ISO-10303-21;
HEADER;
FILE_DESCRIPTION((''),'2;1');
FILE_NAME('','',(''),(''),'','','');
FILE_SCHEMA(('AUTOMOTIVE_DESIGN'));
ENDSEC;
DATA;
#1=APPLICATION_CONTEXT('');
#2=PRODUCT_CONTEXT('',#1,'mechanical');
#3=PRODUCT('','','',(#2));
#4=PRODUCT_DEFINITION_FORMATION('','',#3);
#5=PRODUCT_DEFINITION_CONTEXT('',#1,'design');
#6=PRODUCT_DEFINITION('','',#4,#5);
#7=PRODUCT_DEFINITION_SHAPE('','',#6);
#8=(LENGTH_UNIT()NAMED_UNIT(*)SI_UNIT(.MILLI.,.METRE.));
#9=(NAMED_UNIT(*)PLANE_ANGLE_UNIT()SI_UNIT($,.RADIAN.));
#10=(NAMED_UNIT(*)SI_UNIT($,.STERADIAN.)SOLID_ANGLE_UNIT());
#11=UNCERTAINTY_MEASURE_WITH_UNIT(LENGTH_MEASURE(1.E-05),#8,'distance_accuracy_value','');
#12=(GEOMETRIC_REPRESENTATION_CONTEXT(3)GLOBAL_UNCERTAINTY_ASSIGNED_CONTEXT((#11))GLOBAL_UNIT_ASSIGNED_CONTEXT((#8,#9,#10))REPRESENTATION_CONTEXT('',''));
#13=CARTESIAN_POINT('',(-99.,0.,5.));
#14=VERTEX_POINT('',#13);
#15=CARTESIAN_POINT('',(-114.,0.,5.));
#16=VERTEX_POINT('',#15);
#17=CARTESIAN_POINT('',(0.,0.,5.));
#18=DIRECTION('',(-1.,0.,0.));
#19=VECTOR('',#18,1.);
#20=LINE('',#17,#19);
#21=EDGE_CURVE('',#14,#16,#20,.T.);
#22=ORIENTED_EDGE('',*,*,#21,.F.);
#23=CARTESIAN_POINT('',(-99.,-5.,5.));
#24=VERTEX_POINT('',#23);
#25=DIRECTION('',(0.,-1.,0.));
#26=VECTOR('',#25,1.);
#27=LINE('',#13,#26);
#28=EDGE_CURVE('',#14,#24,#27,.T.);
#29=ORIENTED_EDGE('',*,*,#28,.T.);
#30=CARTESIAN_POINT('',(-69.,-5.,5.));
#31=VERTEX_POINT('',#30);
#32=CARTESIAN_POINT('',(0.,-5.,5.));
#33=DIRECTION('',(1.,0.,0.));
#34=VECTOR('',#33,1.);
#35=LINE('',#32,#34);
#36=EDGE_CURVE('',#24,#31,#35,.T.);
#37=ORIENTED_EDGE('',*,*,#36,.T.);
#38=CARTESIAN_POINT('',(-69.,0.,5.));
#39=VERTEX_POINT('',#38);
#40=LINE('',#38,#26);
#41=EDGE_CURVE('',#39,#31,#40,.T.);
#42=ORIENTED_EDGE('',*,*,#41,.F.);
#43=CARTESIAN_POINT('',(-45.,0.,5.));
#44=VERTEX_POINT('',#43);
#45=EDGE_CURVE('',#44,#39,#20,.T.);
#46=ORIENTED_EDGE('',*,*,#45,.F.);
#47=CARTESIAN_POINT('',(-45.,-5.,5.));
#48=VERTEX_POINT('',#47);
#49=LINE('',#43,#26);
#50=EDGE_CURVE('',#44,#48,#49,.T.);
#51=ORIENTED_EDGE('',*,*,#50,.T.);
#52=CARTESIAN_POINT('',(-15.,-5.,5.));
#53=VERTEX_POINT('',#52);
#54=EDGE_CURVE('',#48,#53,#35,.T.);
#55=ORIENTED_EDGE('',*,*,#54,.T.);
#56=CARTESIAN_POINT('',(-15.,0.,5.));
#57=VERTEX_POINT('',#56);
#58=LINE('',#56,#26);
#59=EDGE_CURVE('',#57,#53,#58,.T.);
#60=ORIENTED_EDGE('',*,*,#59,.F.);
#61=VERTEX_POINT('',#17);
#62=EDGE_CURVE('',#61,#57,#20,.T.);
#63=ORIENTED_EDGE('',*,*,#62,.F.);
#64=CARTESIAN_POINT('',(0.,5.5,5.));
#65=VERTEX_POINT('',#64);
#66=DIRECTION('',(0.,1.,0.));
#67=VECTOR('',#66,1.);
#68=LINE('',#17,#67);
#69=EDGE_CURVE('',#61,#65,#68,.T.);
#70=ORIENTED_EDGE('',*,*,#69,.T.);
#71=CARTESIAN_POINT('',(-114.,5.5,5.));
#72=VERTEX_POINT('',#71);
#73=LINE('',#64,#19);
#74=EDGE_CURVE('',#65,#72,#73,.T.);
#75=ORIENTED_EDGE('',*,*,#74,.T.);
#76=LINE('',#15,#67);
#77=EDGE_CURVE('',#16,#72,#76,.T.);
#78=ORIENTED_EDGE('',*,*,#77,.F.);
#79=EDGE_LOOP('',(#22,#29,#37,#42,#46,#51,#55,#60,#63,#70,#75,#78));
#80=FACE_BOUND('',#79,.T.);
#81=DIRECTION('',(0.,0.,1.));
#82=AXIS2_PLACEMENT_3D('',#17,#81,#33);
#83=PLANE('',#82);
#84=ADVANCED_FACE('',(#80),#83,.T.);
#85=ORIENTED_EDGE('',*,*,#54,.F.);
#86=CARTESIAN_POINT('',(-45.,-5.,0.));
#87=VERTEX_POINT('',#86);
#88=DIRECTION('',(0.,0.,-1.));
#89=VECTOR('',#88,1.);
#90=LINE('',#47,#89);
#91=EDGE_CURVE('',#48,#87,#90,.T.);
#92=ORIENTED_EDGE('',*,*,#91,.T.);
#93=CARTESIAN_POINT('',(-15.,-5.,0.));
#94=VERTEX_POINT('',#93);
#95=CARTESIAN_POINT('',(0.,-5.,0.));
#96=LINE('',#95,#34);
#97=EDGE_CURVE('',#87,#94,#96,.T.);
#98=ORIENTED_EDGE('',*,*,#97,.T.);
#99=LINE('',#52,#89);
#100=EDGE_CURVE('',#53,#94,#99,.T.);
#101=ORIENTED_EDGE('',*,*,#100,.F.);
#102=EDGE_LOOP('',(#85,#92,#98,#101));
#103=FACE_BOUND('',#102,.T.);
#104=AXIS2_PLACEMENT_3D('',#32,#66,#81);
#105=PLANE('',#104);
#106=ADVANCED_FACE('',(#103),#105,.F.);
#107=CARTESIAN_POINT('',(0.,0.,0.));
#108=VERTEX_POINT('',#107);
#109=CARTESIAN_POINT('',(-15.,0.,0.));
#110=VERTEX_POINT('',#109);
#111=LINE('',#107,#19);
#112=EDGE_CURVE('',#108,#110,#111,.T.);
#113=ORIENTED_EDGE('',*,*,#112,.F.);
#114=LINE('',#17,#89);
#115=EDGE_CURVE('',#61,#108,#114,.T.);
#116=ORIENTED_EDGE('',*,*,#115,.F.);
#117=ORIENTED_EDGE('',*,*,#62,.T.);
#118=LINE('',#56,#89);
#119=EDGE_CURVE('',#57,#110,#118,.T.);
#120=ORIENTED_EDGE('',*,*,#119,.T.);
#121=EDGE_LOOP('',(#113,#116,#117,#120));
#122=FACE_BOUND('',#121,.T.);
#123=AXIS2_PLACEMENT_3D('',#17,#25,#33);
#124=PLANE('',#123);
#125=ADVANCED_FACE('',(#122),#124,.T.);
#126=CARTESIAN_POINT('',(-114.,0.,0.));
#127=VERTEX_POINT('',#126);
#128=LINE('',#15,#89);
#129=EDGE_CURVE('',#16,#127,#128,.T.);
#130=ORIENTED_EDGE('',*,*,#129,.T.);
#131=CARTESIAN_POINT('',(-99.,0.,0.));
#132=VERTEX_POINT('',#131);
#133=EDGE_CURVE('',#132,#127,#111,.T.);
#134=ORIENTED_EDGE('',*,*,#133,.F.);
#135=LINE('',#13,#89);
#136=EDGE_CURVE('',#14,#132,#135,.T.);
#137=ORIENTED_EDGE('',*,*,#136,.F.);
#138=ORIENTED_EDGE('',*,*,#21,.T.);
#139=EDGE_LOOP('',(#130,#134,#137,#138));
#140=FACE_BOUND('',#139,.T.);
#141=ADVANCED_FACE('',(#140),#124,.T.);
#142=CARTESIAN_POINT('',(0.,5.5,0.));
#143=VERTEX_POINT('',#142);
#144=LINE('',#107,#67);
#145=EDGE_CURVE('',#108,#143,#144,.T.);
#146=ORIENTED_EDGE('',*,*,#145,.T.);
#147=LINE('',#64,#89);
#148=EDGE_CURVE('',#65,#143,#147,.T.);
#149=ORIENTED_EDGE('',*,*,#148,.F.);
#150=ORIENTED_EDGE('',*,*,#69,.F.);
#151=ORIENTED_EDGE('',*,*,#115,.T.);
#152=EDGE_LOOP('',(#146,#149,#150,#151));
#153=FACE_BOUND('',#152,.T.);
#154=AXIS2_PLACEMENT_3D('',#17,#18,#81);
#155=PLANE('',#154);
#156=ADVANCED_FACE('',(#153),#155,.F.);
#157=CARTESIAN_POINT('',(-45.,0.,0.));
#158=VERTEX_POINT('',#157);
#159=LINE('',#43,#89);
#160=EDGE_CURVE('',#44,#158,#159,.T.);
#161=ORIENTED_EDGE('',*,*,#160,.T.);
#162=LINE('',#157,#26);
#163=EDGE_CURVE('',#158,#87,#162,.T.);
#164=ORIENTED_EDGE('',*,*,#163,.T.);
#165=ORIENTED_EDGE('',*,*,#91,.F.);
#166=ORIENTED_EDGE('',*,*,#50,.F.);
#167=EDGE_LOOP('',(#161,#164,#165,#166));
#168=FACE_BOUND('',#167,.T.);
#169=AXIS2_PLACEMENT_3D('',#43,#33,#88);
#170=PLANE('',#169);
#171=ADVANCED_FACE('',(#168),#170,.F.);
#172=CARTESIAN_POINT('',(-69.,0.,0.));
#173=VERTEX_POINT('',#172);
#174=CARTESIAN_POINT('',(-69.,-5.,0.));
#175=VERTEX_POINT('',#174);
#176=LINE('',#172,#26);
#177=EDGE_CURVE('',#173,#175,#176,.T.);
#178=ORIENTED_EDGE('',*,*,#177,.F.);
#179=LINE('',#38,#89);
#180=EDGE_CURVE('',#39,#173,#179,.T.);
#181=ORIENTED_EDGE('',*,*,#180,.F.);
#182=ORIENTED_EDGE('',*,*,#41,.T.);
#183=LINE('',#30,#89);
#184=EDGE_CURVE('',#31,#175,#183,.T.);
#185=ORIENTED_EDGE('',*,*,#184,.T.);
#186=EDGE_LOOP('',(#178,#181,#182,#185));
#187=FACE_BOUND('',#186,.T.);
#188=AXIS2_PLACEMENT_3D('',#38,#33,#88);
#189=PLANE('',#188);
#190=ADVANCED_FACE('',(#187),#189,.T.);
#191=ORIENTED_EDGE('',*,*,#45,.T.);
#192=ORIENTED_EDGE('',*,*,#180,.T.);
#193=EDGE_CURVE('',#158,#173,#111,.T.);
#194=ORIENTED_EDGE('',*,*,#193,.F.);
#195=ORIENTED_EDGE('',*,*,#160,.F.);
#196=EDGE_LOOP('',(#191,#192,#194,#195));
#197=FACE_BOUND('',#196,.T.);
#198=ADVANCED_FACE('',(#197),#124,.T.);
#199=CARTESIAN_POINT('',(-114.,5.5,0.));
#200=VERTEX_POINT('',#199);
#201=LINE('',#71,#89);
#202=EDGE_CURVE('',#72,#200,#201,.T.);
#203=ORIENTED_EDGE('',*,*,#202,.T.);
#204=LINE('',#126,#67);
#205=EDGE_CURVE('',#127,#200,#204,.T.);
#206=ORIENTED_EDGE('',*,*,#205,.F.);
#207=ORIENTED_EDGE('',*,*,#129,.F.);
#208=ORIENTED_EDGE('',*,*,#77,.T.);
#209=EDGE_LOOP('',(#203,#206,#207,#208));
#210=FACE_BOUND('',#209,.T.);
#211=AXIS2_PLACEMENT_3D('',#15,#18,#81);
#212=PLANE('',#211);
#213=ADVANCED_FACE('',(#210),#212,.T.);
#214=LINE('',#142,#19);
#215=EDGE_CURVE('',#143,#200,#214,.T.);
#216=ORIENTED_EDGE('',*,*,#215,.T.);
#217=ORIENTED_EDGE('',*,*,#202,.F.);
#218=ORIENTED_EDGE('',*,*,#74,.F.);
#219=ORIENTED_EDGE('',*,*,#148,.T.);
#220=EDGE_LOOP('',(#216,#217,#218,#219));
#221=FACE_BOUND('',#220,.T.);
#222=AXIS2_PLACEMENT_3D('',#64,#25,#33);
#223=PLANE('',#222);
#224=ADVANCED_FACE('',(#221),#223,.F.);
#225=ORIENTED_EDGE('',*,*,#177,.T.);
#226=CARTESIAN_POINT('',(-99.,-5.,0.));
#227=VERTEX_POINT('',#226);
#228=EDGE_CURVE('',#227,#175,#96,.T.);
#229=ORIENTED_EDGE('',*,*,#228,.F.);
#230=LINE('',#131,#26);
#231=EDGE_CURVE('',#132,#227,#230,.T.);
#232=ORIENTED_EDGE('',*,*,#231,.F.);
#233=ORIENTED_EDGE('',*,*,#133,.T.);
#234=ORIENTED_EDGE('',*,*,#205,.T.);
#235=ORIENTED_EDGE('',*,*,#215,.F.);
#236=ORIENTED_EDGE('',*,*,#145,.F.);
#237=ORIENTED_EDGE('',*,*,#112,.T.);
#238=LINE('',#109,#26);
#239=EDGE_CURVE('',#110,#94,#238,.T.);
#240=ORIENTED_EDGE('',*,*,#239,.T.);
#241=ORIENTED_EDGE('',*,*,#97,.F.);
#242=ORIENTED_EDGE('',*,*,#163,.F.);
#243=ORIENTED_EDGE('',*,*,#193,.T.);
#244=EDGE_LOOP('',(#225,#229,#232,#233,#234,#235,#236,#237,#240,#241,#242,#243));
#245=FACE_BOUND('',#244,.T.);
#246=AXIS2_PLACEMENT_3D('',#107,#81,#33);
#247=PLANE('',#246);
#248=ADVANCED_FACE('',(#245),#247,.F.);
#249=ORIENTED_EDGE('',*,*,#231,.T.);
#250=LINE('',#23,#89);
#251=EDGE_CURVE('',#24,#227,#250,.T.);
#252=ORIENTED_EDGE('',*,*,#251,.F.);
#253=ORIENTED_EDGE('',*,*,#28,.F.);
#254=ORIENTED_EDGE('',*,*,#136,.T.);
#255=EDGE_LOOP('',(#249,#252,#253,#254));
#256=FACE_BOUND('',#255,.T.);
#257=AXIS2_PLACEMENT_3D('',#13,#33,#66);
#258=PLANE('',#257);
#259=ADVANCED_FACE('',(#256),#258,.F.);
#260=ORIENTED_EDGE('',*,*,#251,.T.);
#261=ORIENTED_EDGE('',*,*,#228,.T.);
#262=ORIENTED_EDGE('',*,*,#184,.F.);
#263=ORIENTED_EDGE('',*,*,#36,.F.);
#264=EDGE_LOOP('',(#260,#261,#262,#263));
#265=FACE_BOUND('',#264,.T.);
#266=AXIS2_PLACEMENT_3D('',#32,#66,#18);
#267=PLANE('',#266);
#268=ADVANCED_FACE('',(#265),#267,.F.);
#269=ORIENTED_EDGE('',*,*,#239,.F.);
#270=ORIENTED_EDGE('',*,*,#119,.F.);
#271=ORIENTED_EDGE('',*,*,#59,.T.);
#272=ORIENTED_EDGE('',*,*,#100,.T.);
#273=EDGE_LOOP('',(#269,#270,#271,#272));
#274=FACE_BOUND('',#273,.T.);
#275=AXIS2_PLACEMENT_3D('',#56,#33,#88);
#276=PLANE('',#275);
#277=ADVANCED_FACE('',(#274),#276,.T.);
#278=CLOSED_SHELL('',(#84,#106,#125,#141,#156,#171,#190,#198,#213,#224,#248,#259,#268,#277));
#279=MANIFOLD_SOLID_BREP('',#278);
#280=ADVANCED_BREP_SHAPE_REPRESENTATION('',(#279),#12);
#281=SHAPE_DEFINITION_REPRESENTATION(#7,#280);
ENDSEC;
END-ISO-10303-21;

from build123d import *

# Parameters (mm, degrees)
SKETCH_1_W      = 114
SKETCH_1_H      = 5.5
SKETCH_1_W_2    = 30
SKETCH_1_H_2    = 5
EXTRUDE_1_DEPTH = 5


with BuildPart() as part:
    # 草图1 → 凸台-拉伸1 (new body)
    with BuildSketch(Plane.XY):
        with Locations((-57, 2.75)):
            Rectangle(SKETCH_1_W, SKETCH_1_H)
        with Locations((-84, -2.5)):
            Rectangle(SKETCH_1_W_2, SKETCH_1_H_2)
        with Locations((-30, -2.5)):
            Rectangle(SKETCH_1_W_2, SKETCH_1_H_2)
    extrude(amount=EXTRUDE_1_DEPTH)


solid = part.part
